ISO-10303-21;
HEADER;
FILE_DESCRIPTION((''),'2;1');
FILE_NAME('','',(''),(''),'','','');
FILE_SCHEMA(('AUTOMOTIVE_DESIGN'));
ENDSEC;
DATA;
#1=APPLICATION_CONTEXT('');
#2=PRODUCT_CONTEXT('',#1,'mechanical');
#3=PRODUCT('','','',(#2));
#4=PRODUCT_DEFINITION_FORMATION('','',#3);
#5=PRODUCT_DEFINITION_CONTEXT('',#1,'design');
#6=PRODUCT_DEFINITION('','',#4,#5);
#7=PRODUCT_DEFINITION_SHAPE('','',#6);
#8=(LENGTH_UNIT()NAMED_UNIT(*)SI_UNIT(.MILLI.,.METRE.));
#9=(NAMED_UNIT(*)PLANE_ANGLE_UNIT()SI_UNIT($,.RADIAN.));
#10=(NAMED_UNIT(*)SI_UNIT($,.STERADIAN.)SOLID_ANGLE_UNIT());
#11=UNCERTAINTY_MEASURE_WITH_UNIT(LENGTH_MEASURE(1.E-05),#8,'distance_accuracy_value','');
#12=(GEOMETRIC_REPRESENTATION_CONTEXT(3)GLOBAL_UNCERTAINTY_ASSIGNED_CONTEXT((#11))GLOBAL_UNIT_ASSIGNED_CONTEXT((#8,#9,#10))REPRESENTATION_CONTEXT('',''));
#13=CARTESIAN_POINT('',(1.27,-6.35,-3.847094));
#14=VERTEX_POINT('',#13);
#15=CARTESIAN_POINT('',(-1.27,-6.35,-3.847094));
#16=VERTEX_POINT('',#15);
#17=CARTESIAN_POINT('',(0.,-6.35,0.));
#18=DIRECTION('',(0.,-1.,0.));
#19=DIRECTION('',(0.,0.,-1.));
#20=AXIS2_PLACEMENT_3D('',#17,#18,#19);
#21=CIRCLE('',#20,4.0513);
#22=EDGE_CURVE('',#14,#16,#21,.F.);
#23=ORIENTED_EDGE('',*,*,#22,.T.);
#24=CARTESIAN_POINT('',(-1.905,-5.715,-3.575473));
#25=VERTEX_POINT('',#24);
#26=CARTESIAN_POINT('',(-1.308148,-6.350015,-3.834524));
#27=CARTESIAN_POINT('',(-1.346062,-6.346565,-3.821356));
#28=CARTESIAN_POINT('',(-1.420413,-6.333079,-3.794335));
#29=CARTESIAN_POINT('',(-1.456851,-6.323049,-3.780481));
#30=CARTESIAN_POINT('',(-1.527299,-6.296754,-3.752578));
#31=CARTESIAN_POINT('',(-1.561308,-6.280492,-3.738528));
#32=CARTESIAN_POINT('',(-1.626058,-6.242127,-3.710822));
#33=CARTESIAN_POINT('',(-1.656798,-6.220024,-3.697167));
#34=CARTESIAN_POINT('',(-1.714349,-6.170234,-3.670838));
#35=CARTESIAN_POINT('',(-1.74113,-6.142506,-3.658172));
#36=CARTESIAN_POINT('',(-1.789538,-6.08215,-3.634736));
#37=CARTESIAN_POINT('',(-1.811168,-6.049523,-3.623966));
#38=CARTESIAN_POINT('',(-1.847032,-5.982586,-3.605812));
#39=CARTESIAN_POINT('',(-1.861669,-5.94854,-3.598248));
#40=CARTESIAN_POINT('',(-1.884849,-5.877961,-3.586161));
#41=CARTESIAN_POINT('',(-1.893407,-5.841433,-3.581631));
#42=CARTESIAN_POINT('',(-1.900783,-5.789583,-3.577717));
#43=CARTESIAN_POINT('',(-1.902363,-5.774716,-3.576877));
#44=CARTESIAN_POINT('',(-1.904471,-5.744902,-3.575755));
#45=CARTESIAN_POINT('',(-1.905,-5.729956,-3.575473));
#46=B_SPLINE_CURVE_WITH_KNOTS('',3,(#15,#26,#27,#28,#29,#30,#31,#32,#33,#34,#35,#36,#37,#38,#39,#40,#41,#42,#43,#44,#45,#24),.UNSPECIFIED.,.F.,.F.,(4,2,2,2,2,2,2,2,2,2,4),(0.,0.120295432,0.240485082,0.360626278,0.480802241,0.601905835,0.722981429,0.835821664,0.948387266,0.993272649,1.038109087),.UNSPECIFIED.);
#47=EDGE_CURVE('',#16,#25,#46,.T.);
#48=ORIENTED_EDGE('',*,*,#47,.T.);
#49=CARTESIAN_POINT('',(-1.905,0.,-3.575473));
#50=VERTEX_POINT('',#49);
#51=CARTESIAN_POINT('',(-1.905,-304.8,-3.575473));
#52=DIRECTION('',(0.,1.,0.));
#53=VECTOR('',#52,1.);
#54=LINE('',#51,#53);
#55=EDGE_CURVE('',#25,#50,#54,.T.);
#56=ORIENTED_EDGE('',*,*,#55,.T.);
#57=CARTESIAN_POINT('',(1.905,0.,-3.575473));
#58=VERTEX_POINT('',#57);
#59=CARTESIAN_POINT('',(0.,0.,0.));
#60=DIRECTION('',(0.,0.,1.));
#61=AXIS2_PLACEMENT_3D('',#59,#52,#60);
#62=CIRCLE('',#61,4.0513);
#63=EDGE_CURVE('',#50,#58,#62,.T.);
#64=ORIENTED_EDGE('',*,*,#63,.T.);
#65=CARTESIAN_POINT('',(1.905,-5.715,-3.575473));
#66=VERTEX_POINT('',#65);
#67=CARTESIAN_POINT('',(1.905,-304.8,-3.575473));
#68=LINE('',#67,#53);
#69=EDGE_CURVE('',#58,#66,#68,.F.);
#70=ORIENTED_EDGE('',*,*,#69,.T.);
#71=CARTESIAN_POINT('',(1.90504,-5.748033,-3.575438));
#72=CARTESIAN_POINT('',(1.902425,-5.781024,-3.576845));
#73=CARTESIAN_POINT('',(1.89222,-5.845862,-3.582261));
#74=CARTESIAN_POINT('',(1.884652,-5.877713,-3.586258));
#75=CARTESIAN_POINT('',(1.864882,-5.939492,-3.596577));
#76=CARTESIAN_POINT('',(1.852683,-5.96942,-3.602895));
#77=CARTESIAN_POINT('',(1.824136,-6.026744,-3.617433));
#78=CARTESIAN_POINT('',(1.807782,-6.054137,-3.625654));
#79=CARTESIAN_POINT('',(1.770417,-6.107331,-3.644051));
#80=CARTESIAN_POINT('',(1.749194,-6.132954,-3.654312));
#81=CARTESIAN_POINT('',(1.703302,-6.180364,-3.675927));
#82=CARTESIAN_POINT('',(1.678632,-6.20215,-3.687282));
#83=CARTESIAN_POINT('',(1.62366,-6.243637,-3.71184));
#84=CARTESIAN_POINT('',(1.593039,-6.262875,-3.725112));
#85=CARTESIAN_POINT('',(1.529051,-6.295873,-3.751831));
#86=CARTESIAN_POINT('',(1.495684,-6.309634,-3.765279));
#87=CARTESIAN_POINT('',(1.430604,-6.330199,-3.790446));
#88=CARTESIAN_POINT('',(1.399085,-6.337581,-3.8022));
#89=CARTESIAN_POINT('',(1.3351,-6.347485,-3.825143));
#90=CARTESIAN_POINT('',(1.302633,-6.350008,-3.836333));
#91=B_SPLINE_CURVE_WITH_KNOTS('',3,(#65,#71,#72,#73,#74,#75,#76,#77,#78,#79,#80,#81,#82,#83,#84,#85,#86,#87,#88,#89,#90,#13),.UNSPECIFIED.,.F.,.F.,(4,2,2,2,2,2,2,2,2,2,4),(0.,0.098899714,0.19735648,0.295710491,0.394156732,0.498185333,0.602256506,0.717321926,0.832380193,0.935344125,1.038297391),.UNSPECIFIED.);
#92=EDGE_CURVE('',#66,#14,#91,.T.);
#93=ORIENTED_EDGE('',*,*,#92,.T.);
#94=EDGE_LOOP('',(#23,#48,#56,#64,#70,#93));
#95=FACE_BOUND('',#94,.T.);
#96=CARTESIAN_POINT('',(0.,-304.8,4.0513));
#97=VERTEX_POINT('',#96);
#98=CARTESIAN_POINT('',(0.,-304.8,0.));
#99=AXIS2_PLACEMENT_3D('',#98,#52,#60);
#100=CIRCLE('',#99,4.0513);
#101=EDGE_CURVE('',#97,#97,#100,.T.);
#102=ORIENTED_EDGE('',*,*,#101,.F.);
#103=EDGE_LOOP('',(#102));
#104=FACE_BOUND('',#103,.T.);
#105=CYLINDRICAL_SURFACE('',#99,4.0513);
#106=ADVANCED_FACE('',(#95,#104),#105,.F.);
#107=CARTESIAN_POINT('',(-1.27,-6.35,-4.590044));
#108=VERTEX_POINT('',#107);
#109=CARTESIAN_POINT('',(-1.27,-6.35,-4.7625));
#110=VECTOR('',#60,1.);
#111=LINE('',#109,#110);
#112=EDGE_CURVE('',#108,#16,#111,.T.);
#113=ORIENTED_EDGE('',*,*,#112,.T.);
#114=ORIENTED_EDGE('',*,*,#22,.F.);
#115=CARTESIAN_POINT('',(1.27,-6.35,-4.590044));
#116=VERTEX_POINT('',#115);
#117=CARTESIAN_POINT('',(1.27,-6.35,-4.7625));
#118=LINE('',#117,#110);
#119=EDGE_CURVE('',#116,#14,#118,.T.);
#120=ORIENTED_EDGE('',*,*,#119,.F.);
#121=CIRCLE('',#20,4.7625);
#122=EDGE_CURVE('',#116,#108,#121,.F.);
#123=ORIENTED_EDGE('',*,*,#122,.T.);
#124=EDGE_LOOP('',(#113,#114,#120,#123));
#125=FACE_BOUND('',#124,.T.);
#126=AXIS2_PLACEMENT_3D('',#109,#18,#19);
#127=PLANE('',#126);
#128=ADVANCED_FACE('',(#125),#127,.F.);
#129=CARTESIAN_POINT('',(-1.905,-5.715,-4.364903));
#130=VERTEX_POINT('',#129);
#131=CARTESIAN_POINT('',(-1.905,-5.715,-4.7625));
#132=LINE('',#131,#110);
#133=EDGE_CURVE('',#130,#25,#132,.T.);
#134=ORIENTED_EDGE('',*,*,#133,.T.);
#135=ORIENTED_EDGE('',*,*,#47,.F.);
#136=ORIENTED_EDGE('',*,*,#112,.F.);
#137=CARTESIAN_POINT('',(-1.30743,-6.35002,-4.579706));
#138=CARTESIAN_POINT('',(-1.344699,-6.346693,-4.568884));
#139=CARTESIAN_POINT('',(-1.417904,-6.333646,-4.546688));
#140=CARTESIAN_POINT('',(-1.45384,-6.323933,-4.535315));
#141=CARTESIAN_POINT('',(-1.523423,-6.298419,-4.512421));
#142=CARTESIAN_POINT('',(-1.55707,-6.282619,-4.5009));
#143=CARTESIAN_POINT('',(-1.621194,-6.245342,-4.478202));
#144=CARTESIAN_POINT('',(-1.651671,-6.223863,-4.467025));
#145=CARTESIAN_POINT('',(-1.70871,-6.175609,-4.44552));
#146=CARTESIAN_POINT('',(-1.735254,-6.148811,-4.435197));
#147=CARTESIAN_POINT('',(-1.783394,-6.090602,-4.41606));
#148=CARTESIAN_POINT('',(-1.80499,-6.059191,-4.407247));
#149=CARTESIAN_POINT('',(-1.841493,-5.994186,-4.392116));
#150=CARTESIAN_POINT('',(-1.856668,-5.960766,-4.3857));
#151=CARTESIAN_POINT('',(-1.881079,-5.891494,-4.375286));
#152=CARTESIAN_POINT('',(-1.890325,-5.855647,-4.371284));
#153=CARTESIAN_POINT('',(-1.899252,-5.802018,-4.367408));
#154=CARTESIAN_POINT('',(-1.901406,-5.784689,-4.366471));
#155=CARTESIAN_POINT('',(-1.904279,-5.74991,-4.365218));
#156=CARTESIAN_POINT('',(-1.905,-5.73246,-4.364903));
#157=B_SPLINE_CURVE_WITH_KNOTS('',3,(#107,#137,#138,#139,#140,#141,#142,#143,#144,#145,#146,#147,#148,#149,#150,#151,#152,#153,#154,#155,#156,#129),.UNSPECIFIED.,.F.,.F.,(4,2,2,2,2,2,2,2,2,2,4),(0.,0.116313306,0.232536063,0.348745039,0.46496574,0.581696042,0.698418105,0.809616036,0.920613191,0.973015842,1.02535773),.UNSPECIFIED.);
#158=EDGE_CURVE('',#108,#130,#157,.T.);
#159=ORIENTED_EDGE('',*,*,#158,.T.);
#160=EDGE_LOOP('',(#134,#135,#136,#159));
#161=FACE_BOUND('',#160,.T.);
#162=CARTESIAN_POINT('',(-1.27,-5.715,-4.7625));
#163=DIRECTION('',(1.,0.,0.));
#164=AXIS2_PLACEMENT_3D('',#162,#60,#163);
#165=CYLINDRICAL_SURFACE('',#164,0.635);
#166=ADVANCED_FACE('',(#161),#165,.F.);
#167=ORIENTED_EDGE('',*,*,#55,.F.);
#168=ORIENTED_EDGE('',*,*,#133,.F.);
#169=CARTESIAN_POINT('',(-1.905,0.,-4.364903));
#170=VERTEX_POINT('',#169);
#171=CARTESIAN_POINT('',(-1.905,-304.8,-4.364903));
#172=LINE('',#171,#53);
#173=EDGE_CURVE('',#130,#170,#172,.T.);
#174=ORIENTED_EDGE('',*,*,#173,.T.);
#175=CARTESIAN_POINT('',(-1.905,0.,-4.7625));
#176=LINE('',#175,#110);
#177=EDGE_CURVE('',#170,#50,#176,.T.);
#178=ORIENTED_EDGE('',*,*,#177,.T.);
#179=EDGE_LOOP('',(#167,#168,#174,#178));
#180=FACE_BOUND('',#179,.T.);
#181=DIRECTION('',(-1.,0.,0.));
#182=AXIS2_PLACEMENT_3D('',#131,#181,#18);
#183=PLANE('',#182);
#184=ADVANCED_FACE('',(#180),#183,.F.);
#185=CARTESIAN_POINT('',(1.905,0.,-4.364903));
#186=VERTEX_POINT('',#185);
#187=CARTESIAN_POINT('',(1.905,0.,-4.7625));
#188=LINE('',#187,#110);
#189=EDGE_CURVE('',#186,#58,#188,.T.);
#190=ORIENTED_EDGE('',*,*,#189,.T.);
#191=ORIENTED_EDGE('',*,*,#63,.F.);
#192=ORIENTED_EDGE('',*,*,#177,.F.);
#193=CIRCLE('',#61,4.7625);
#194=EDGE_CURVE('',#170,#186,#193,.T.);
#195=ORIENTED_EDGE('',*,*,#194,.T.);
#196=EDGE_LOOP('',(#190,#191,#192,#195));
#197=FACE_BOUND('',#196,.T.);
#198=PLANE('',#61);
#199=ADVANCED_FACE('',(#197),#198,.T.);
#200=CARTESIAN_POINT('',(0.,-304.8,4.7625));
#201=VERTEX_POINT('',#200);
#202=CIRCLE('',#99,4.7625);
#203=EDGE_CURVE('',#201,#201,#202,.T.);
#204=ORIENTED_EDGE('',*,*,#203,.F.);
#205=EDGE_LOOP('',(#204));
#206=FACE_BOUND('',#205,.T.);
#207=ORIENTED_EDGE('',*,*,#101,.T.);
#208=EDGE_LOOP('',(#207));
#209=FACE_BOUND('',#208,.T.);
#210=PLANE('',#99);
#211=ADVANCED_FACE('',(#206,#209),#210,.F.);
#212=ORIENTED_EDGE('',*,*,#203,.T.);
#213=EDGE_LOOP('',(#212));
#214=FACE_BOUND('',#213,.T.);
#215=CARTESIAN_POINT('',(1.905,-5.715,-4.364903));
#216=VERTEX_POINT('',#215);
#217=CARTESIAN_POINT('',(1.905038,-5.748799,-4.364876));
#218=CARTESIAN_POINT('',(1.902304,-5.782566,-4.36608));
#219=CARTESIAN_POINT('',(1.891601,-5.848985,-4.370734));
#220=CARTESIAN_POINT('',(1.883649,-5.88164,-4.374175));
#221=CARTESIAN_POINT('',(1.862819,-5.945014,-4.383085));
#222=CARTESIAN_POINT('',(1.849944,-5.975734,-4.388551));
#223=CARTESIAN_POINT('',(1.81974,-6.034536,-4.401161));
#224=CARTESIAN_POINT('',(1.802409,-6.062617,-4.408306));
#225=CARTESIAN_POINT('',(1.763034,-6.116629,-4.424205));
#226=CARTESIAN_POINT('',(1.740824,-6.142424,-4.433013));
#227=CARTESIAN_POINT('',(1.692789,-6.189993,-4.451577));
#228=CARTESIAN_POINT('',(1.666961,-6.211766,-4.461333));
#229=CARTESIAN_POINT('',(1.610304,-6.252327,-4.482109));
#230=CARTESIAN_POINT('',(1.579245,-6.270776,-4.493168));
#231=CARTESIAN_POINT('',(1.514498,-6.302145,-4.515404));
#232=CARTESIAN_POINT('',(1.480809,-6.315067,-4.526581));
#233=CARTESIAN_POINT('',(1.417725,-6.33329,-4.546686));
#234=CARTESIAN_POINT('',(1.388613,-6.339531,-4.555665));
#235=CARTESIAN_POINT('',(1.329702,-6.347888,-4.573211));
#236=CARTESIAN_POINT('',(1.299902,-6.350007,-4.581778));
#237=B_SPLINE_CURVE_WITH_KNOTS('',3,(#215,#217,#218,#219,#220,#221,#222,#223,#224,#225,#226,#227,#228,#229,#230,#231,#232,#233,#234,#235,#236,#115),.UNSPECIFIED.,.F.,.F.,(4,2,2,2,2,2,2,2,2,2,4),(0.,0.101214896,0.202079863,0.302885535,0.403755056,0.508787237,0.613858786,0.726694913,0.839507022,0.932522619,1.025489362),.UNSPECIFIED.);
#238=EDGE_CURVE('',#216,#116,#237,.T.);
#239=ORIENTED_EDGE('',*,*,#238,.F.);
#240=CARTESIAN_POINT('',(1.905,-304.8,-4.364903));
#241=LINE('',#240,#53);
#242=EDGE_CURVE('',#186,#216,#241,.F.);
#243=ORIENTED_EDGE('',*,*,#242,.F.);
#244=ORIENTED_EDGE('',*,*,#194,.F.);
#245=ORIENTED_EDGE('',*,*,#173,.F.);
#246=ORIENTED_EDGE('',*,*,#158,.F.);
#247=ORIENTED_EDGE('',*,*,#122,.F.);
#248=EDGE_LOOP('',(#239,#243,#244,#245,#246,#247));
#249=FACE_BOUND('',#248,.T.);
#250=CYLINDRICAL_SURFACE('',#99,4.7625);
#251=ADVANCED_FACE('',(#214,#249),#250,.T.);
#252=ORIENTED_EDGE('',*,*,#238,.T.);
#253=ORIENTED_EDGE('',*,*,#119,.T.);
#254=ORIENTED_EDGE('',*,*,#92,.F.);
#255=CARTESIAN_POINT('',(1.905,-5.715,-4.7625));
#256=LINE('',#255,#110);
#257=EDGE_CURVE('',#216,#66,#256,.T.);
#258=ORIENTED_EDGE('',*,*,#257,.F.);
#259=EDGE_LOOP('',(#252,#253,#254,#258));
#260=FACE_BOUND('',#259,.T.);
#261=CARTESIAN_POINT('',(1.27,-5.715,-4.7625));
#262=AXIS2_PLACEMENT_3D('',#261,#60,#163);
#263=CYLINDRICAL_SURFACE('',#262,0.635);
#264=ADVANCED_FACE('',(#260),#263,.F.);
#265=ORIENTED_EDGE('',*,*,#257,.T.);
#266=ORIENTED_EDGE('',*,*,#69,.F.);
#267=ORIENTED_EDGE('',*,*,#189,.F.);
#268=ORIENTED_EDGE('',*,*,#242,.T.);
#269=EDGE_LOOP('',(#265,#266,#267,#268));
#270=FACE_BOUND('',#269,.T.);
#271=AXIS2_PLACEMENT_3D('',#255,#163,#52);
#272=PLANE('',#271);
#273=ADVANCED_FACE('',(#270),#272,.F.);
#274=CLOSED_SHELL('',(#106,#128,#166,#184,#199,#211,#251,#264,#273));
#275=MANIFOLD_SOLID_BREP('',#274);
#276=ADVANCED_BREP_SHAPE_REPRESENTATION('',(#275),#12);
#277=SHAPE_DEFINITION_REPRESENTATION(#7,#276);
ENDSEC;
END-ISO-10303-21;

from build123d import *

# Parameters (mm, degrees)
SKETCH1_R     = 4.7625
SKETCH1_R_2   = 4.0513
SHAFT_DEPTH   = 304.8
CUTAWAY_DEPTH = 305.874404981


with BuildPart() as part:
    # Sketch1 → Shaft (new body)
    with BuildSketch(Plane(origin=(0, 0, 0), x_dir=(1, 0, 0), z_dir=(0, 1, 0))):
        with Locations(Location((0, 0, 0), (0, 0, 270))):
            Circle(SKETCH1_R)
        with Locations(Location((0, 0, 0), (0, 0, 270))):
            Circle(SKETCH1_R_2, mode=Mode.SUBTRACT)
    extrude(amount=-SHAFT_DEPTH)

    # Sketch2 → Cutaway (cut, through all)
    with BuildSketch(Plane.XY):
        with BuildLine():
            Line((-1.27, -6.35), (1.27, -6.35))
            ThreePointArc((1.27, -6.35), (1.719012806, -6.164012806), (1.905, -5.715))
            Line((1.905, -5.715), (1.905, 0))
            Line((1.905, 0), (-1.905, 0))
            Line((-1.905, 0), (-1.905, -5.715))
            ThreePointArc((-1.905, -5.715), (-1.719012806, -6.164012806), (-1.27, -6.35))
        make_face()
    extrude(amount=-CUTAWAY_DEPTH, mode=Mode.SUBTRACT)


solid = part.part
